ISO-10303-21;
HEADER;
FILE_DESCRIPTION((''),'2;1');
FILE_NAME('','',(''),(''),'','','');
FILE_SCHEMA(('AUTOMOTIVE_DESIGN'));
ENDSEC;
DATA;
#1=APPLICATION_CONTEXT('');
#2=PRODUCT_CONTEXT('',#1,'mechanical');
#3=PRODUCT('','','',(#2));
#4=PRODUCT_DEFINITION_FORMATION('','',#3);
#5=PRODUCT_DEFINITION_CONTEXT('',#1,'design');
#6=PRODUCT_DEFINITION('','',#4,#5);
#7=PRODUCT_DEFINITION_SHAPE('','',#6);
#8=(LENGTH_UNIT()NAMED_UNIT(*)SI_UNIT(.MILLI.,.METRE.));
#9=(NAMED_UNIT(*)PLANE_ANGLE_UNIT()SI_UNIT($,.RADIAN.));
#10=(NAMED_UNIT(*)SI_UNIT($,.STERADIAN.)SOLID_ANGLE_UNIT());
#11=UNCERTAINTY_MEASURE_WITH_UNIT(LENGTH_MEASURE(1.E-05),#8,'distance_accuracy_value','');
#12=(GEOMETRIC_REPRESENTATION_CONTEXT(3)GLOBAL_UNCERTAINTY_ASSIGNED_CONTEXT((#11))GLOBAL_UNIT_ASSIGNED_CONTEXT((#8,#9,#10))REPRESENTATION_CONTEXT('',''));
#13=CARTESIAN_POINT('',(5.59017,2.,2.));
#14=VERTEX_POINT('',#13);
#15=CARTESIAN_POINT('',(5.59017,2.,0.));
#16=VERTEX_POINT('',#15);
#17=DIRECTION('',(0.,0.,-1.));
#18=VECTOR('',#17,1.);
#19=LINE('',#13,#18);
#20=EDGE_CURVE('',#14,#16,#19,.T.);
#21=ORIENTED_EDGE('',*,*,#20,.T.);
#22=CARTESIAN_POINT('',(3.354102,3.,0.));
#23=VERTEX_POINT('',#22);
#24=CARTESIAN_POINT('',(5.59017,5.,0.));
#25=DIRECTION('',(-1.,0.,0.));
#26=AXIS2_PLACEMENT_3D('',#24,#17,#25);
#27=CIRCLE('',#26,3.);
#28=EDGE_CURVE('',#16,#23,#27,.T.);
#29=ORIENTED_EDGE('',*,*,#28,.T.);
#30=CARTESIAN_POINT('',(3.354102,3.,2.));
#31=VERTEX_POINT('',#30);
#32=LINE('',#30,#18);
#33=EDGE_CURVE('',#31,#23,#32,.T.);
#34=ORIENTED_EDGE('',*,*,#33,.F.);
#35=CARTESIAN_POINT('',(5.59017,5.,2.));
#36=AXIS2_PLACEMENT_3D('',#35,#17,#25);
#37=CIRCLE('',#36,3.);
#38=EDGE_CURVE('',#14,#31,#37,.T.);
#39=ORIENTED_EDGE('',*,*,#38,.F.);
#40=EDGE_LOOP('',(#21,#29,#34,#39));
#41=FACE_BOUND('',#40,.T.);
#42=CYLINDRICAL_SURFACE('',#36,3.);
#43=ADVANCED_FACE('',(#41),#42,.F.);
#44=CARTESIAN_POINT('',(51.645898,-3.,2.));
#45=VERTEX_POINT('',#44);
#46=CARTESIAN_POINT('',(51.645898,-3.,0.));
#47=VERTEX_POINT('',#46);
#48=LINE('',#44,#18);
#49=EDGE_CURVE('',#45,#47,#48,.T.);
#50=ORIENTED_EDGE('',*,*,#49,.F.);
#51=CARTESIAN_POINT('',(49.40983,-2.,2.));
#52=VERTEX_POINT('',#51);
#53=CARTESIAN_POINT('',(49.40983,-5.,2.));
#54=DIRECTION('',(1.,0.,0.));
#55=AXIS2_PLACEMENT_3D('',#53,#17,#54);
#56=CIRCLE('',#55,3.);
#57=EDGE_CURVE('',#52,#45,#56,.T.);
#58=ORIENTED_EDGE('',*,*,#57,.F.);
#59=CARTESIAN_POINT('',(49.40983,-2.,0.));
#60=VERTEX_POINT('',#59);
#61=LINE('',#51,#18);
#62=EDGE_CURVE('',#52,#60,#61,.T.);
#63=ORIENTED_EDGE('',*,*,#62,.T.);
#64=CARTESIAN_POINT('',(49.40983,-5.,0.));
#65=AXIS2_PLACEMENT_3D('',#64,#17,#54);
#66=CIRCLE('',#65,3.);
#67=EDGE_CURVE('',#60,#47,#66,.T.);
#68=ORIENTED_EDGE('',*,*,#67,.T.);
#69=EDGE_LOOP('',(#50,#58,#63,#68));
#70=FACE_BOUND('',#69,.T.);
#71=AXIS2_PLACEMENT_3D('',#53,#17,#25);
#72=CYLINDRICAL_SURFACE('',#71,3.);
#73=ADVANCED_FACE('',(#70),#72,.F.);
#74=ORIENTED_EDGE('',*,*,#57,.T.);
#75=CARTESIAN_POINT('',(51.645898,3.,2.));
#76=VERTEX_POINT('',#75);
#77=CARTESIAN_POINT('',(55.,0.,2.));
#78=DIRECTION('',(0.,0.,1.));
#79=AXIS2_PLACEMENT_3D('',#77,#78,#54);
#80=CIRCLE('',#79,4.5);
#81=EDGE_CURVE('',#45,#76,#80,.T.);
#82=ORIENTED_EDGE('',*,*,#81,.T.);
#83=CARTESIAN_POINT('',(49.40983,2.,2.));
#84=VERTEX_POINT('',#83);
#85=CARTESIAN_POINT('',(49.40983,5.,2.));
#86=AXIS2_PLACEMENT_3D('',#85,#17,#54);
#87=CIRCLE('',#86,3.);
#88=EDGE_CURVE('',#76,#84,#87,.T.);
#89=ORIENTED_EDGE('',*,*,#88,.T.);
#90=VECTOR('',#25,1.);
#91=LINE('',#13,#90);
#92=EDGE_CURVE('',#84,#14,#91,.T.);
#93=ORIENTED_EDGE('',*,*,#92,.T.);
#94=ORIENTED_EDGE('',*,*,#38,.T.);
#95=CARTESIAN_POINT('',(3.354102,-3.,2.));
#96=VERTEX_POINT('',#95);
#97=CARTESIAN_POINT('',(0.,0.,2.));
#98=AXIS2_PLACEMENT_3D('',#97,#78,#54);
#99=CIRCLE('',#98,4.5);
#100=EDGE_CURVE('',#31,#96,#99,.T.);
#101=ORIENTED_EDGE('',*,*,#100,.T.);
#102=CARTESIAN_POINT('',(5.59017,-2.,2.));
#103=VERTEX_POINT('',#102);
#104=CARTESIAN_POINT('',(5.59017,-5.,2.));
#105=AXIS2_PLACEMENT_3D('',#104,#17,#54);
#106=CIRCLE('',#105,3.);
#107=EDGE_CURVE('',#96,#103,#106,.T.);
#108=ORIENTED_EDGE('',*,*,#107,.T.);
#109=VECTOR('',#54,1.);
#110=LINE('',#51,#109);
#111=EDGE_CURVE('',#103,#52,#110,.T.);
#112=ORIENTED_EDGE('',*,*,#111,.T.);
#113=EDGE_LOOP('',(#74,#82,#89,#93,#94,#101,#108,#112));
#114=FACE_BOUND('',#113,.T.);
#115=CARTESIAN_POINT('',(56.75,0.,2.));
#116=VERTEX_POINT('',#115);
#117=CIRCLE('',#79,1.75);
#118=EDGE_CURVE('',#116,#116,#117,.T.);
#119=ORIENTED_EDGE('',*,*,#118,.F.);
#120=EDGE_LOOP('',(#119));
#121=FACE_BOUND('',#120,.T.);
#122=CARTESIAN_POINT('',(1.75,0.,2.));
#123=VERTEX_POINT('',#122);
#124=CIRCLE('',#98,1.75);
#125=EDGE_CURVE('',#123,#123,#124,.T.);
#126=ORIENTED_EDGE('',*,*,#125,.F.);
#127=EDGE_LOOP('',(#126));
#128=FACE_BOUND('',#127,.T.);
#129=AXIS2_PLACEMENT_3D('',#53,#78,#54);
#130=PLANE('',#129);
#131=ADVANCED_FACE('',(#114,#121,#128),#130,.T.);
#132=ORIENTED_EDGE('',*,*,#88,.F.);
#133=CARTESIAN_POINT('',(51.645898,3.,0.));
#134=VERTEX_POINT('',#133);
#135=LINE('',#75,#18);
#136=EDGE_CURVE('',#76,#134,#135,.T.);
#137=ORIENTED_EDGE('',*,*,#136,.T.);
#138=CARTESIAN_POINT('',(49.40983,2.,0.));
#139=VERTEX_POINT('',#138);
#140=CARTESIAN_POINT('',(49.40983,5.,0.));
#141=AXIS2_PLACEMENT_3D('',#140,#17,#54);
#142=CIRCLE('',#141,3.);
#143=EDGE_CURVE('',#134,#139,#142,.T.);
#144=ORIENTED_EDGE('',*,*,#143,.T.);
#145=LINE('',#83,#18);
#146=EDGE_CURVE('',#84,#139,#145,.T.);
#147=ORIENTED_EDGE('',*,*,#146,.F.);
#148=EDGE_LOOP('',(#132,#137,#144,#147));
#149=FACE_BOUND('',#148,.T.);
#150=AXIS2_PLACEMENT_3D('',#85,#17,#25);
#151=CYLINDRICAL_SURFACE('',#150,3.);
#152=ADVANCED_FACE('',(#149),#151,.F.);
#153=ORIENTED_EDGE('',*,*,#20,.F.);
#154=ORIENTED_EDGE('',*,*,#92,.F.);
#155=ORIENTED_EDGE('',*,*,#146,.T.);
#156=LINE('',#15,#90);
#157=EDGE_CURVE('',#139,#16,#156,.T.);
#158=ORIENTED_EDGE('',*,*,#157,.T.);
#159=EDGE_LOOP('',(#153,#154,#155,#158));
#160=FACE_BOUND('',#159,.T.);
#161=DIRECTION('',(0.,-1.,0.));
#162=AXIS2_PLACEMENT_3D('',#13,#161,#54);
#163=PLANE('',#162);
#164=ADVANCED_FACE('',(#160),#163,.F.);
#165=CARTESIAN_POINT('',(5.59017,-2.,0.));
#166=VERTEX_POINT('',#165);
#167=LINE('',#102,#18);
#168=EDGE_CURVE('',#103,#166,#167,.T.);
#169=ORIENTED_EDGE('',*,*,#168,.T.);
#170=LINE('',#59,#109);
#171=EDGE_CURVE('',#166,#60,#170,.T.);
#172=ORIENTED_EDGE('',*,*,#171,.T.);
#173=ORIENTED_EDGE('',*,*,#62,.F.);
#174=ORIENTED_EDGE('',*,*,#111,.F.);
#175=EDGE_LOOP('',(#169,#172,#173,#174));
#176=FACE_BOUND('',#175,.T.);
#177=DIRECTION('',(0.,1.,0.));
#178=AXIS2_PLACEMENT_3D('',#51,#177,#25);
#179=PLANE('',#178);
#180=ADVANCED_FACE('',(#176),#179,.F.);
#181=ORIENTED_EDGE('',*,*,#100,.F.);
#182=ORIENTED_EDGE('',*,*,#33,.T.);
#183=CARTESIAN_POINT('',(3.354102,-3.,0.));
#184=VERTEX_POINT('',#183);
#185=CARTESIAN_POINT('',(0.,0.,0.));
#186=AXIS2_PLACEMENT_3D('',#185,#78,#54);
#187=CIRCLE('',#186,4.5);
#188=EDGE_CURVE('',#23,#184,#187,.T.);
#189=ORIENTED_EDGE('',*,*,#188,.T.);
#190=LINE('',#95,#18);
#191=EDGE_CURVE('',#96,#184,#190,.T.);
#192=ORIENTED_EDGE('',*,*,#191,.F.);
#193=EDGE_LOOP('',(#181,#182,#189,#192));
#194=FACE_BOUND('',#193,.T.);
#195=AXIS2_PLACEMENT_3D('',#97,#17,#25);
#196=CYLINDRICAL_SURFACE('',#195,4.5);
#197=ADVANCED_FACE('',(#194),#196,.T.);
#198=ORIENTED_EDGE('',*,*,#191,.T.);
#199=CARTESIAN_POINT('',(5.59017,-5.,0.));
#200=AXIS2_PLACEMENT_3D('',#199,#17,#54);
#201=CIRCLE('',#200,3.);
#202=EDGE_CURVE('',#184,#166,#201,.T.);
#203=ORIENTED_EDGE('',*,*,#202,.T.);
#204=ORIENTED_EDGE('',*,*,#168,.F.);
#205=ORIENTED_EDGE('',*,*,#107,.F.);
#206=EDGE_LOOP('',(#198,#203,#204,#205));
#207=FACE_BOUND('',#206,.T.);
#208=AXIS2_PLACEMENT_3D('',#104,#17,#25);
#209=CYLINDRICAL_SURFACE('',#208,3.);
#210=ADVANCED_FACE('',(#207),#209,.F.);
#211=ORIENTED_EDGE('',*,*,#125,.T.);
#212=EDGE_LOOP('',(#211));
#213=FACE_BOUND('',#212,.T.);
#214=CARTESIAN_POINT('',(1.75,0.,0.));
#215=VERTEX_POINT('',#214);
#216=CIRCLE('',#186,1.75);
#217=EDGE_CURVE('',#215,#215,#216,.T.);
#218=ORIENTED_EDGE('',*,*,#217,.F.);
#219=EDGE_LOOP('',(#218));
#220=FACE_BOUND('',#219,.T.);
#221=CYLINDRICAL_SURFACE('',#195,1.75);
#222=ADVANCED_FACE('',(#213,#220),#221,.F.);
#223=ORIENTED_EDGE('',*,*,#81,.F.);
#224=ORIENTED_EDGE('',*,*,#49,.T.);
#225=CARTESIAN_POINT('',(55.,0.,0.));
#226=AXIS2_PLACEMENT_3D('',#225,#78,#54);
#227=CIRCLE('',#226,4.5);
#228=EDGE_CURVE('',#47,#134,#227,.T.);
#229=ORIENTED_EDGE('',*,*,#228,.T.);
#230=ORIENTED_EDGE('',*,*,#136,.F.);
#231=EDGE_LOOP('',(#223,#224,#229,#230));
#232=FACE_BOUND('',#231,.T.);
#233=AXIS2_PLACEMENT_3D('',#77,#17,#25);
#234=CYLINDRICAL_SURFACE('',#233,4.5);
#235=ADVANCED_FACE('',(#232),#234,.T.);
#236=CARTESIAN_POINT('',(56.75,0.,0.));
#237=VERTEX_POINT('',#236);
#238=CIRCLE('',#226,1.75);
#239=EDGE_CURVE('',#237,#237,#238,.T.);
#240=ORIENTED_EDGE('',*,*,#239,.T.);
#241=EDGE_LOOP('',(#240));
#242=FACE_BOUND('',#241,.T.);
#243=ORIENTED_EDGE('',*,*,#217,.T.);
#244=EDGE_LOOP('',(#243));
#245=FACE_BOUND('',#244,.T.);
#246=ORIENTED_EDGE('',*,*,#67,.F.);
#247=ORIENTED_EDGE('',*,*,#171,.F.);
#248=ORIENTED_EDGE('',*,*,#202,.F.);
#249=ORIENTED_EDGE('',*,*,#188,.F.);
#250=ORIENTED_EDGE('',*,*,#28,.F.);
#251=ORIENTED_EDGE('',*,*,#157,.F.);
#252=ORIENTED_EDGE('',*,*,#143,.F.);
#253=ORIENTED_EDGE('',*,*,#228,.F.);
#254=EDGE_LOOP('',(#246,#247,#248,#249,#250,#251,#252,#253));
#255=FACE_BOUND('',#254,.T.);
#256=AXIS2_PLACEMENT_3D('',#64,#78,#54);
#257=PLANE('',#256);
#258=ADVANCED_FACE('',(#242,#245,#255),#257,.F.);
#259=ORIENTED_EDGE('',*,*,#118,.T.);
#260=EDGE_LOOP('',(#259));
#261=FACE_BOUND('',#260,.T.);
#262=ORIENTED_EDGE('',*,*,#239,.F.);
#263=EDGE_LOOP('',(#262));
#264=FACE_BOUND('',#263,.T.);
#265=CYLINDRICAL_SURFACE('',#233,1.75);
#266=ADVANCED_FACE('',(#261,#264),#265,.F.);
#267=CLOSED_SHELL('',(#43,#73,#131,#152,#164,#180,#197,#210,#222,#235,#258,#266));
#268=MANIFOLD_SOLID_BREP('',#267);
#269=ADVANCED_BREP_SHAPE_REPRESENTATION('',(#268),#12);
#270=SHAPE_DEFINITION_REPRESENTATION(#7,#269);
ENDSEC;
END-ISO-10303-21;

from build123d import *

# Parameters (mm, degrees)
SKETCH1_R           = 1.75
BOSS_EXTRUDE1_DEPTH = 2


with BuildPart() as part:
    # Sketch1 → Boss-Extrude1 (new body)
    with BuildSketch(Plane.XY):
        with BuildLine():
            Line((5.590169944, 2), (49.409830056, 2))
            ThreePointArc((49.409830056, 2), (50.634574928, 2.261387212), (51.645898034, 3))
            ThreePointArc((51.645898034, 3), (59.5, 0), (51.645898034, -3))
            ThreePointArc((51.645898034, -3), (50.634574928, -2.261387212), (49.409830056, -2))
            Line((49.409830056, -2), (5.590169944, -2))
            ThreePointArc((5.590169944, -2), (4.365425072, -2.261387212), (3.354101966, -3))
            ThreePointArc((3.354101966, -3), (-4.5, 0), (3.354101966, 3))
            ThreePointArc((3.354101966, 3), (4.365425072, 2.261387212), (5.590169944, 2))
        make_face()
        Circle(SKETCH1_R, mode=Mode.SUBTRACT)
        with Locations((55, 0)):
            Circle(SKETCH1_R, mode=Mode.SUBTRACT)
    extrude(amount=BOSS_EXTRUDE1_DEPTH)


solid = part.part
